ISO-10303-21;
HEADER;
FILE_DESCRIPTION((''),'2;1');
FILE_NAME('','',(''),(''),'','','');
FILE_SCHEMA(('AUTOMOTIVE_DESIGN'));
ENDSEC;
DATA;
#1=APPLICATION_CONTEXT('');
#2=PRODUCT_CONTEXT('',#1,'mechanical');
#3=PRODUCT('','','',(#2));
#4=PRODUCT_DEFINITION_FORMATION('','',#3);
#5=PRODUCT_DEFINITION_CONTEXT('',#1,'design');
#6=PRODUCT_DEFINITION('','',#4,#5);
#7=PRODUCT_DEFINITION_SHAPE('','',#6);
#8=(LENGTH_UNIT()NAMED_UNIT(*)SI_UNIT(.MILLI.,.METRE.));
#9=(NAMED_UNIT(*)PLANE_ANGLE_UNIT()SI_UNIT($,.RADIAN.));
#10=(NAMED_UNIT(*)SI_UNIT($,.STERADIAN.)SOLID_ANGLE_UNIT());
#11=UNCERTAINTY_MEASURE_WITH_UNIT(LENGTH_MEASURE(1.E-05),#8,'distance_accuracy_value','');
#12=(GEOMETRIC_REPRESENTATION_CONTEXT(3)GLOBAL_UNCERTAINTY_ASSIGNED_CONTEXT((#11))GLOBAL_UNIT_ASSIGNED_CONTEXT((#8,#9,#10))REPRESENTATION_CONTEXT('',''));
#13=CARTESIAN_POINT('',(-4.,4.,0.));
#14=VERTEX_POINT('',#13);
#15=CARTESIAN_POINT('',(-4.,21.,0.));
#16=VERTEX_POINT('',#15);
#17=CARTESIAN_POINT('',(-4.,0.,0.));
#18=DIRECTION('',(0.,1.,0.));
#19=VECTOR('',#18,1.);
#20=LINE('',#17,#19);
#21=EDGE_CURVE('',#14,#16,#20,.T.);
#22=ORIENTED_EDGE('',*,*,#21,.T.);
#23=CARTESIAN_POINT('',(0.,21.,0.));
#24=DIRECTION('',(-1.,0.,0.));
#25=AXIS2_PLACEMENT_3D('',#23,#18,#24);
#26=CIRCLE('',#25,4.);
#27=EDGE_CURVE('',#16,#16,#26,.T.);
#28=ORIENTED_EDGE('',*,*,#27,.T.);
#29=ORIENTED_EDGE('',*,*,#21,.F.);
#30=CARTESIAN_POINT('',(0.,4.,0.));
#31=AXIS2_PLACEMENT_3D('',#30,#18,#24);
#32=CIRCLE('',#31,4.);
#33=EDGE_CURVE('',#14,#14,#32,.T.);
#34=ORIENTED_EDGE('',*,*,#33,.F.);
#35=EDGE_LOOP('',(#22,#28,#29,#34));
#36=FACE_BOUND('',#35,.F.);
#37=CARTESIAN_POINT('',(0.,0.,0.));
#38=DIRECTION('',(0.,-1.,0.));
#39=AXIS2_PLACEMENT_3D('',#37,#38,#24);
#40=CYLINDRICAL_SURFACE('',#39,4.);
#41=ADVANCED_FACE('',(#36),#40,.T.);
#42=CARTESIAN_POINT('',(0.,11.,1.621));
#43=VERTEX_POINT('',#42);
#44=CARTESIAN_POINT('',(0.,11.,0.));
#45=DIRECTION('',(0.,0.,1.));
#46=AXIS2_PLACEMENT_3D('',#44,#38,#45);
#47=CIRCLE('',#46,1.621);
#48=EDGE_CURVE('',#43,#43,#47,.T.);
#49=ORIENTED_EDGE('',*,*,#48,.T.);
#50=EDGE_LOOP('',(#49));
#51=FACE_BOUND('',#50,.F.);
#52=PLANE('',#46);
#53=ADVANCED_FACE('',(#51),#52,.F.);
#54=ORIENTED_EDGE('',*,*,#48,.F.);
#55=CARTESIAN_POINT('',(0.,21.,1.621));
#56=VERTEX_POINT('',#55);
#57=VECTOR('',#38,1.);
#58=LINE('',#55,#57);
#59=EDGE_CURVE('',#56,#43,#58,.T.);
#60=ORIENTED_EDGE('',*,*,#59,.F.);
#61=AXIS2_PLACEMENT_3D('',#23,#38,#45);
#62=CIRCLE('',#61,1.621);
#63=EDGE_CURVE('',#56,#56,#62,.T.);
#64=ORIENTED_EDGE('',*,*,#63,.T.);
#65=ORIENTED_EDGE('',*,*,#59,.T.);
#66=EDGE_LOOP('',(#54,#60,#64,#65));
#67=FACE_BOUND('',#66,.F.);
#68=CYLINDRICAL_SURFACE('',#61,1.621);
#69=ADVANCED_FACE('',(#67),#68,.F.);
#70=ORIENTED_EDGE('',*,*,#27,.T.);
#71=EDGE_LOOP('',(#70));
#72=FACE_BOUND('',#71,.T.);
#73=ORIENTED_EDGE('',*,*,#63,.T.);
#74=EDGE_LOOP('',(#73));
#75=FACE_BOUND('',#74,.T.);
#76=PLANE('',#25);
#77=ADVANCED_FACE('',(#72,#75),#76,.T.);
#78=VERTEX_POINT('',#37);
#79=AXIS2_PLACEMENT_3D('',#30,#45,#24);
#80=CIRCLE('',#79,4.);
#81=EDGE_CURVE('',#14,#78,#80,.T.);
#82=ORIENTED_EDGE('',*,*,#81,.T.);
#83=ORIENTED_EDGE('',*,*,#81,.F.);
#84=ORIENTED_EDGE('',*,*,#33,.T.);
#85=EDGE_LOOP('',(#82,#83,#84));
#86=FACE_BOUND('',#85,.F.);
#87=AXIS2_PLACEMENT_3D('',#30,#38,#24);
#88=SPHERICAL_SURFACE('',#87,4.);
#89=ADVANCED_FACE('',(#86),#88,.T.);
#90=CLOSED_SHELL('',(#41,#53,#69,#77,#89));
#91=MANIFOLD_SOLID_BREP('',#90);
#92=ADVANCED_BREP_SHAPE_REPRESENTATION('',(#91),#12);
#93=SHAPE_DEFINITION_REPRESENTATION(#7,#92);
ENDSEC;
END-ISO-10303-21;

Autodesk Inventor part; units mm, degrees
ref_plane "YZ Plane" through (0, 0, 0) normal (1, 0, 0) x (0, 1, 0)
ref_plane "XZ Plane" through (0, 0, 0) normal (0, 1, 0) x (-1, 0, 0)
ref_plane "XY Plane" through (0, 0, 0) normal (0, 0, 1) x (1, 0, 0)
sketch "Esboço1" plane through (0, 0, 0) normal (0, 1, 0) x (-1, 0, 0)
  circle A0 centre (0, 0) radius 4
  dimension "d0" = 8
extrude "Extrusão1" add sketch "Esboço1" along normal blind 21
fillet "Arredondamento1" radius 4 1 edges at (4, 0, 0)
sketch "Esboço2" plane through (0, 21, 0) normal (0, 1, 0) x (1, 0, 0)
  point P0 (0, 0)
  point P1 (0, 0)
hole "Furo1" at (0, 21, 0) direction (0, -1, 0) diameter 3.242 depth 10 thread size "M4x0.7" class "6H" standard "ISO Metric profile"
properties part number "Dedo-02"
